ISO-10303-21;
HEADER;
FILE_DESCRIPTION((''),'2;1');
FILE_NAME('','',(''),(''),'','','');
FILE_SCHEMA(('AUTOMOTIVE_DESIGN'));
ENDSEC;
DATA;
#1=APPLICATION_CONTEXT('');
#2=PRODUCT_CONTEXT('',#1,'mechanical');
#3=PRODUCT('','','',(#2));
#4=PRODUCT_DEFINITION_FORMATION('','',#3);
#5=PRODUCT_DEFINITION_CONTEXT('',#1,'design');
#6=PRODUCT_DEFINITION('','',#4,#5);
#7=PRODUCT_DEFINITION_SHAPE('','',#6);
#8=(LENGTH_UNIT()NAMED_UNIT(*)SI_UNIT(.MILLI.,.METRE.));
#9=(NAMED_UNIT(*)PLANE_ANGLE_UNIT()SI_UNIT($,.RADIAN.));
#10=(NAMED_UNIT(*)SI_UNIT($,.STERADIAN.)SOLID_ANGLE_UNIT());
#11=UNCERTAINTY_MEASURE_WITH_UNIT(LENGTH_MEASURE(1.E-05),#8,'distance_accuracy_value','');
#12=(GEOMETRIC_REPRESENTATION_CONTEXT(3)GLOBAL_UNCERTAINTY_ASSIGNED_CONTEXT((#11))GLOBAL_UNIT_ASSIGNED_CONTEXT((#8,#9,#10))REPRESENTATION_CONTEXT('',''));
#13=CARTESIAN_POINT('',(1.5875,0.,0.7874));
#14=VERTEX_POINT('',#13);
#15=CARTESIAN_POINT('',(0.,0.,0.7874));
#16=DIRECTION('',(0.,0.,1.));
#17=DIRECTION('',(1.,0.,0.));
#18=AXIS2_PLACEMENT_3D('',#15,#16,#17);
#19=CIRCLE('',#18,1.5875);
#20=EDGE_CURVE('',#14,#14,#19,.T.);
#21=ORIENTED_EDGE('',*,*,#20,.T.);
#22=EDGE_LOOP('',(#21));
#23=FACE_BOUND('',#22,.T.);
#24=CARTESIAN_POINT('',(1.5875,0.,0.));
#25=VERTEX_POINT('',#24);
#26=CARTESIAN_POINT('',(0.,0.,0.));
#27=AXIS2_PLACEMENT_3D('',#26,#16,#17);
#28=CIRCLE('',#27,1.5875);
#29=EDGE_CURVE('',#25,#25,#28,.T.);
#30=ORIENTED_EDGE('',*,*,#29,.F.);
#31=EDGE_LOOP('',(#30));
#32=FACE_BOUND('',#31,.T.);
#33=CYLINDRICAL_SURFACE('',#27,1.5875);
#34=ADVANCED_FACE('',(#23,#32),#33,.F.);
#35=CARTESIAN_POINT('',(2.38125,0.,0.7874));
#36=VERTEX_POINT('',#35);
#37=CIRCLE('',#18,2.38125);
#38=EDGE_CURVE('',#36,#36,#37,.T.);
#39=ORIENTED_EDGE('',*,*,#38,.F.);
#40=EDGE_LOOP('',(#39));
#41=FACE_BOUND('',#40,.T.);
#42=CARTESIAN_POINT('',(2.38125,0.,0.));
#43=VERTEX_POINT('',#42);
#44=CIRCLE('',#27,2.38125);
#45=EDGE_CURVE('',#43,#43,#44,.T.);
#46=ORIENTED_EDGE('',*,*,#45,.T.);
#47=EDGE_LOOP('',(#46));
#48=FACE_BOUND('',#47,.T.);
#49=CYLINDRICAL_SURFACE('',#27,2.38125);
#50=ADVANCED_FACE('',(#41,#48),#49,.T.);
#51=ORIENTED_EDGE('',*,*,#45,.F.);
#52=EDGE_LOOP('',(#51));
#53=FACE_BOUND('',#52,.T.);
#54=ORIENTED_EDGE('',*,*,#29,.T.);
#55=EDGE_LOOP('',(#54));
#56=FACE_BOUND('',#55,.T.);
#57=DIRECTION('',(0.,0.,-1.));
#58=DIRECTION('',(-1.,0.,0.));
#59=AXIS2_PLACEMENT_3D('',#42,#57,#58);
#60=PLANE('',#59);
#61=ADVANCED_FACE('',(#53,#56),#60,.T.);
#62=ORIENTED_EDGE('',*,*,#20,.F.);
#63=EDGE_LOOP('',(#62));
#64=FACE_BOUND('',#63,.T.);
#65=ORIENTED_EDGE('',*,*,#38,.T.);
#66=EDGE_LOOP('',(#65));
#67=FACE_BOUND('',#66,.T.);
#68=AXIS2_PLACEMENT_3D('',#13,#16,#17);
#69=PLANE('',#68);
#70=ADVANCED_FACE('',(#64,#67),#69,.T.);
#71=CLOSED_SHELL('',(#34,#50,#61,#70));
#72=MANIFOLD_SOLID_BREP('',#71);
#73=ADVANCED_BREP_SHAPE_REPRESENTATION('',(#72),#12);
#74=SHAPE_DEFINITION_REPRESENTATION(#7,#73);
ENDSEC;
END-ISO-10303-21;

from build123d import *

# Parameters (mm, degrees)
SKETCH1_W = 0.79375
SKETCH1_H = 0.7874


with BuildPart() as part:
    # Sketch1 → Revolve1 (revolve)
    with BuildSketch(Plane(origin=(0, 0, 0), x_dir=(1, 0, 0), z_dir=(0, 1, 0))):
        with Locations((1.984375, -0.3937)):
            Rectangle(SKETCH1_W, SKETCH1_H)
    revolve(axis=Axis((0, 0, 0), (0, 0, 1)))


solid = part.part
